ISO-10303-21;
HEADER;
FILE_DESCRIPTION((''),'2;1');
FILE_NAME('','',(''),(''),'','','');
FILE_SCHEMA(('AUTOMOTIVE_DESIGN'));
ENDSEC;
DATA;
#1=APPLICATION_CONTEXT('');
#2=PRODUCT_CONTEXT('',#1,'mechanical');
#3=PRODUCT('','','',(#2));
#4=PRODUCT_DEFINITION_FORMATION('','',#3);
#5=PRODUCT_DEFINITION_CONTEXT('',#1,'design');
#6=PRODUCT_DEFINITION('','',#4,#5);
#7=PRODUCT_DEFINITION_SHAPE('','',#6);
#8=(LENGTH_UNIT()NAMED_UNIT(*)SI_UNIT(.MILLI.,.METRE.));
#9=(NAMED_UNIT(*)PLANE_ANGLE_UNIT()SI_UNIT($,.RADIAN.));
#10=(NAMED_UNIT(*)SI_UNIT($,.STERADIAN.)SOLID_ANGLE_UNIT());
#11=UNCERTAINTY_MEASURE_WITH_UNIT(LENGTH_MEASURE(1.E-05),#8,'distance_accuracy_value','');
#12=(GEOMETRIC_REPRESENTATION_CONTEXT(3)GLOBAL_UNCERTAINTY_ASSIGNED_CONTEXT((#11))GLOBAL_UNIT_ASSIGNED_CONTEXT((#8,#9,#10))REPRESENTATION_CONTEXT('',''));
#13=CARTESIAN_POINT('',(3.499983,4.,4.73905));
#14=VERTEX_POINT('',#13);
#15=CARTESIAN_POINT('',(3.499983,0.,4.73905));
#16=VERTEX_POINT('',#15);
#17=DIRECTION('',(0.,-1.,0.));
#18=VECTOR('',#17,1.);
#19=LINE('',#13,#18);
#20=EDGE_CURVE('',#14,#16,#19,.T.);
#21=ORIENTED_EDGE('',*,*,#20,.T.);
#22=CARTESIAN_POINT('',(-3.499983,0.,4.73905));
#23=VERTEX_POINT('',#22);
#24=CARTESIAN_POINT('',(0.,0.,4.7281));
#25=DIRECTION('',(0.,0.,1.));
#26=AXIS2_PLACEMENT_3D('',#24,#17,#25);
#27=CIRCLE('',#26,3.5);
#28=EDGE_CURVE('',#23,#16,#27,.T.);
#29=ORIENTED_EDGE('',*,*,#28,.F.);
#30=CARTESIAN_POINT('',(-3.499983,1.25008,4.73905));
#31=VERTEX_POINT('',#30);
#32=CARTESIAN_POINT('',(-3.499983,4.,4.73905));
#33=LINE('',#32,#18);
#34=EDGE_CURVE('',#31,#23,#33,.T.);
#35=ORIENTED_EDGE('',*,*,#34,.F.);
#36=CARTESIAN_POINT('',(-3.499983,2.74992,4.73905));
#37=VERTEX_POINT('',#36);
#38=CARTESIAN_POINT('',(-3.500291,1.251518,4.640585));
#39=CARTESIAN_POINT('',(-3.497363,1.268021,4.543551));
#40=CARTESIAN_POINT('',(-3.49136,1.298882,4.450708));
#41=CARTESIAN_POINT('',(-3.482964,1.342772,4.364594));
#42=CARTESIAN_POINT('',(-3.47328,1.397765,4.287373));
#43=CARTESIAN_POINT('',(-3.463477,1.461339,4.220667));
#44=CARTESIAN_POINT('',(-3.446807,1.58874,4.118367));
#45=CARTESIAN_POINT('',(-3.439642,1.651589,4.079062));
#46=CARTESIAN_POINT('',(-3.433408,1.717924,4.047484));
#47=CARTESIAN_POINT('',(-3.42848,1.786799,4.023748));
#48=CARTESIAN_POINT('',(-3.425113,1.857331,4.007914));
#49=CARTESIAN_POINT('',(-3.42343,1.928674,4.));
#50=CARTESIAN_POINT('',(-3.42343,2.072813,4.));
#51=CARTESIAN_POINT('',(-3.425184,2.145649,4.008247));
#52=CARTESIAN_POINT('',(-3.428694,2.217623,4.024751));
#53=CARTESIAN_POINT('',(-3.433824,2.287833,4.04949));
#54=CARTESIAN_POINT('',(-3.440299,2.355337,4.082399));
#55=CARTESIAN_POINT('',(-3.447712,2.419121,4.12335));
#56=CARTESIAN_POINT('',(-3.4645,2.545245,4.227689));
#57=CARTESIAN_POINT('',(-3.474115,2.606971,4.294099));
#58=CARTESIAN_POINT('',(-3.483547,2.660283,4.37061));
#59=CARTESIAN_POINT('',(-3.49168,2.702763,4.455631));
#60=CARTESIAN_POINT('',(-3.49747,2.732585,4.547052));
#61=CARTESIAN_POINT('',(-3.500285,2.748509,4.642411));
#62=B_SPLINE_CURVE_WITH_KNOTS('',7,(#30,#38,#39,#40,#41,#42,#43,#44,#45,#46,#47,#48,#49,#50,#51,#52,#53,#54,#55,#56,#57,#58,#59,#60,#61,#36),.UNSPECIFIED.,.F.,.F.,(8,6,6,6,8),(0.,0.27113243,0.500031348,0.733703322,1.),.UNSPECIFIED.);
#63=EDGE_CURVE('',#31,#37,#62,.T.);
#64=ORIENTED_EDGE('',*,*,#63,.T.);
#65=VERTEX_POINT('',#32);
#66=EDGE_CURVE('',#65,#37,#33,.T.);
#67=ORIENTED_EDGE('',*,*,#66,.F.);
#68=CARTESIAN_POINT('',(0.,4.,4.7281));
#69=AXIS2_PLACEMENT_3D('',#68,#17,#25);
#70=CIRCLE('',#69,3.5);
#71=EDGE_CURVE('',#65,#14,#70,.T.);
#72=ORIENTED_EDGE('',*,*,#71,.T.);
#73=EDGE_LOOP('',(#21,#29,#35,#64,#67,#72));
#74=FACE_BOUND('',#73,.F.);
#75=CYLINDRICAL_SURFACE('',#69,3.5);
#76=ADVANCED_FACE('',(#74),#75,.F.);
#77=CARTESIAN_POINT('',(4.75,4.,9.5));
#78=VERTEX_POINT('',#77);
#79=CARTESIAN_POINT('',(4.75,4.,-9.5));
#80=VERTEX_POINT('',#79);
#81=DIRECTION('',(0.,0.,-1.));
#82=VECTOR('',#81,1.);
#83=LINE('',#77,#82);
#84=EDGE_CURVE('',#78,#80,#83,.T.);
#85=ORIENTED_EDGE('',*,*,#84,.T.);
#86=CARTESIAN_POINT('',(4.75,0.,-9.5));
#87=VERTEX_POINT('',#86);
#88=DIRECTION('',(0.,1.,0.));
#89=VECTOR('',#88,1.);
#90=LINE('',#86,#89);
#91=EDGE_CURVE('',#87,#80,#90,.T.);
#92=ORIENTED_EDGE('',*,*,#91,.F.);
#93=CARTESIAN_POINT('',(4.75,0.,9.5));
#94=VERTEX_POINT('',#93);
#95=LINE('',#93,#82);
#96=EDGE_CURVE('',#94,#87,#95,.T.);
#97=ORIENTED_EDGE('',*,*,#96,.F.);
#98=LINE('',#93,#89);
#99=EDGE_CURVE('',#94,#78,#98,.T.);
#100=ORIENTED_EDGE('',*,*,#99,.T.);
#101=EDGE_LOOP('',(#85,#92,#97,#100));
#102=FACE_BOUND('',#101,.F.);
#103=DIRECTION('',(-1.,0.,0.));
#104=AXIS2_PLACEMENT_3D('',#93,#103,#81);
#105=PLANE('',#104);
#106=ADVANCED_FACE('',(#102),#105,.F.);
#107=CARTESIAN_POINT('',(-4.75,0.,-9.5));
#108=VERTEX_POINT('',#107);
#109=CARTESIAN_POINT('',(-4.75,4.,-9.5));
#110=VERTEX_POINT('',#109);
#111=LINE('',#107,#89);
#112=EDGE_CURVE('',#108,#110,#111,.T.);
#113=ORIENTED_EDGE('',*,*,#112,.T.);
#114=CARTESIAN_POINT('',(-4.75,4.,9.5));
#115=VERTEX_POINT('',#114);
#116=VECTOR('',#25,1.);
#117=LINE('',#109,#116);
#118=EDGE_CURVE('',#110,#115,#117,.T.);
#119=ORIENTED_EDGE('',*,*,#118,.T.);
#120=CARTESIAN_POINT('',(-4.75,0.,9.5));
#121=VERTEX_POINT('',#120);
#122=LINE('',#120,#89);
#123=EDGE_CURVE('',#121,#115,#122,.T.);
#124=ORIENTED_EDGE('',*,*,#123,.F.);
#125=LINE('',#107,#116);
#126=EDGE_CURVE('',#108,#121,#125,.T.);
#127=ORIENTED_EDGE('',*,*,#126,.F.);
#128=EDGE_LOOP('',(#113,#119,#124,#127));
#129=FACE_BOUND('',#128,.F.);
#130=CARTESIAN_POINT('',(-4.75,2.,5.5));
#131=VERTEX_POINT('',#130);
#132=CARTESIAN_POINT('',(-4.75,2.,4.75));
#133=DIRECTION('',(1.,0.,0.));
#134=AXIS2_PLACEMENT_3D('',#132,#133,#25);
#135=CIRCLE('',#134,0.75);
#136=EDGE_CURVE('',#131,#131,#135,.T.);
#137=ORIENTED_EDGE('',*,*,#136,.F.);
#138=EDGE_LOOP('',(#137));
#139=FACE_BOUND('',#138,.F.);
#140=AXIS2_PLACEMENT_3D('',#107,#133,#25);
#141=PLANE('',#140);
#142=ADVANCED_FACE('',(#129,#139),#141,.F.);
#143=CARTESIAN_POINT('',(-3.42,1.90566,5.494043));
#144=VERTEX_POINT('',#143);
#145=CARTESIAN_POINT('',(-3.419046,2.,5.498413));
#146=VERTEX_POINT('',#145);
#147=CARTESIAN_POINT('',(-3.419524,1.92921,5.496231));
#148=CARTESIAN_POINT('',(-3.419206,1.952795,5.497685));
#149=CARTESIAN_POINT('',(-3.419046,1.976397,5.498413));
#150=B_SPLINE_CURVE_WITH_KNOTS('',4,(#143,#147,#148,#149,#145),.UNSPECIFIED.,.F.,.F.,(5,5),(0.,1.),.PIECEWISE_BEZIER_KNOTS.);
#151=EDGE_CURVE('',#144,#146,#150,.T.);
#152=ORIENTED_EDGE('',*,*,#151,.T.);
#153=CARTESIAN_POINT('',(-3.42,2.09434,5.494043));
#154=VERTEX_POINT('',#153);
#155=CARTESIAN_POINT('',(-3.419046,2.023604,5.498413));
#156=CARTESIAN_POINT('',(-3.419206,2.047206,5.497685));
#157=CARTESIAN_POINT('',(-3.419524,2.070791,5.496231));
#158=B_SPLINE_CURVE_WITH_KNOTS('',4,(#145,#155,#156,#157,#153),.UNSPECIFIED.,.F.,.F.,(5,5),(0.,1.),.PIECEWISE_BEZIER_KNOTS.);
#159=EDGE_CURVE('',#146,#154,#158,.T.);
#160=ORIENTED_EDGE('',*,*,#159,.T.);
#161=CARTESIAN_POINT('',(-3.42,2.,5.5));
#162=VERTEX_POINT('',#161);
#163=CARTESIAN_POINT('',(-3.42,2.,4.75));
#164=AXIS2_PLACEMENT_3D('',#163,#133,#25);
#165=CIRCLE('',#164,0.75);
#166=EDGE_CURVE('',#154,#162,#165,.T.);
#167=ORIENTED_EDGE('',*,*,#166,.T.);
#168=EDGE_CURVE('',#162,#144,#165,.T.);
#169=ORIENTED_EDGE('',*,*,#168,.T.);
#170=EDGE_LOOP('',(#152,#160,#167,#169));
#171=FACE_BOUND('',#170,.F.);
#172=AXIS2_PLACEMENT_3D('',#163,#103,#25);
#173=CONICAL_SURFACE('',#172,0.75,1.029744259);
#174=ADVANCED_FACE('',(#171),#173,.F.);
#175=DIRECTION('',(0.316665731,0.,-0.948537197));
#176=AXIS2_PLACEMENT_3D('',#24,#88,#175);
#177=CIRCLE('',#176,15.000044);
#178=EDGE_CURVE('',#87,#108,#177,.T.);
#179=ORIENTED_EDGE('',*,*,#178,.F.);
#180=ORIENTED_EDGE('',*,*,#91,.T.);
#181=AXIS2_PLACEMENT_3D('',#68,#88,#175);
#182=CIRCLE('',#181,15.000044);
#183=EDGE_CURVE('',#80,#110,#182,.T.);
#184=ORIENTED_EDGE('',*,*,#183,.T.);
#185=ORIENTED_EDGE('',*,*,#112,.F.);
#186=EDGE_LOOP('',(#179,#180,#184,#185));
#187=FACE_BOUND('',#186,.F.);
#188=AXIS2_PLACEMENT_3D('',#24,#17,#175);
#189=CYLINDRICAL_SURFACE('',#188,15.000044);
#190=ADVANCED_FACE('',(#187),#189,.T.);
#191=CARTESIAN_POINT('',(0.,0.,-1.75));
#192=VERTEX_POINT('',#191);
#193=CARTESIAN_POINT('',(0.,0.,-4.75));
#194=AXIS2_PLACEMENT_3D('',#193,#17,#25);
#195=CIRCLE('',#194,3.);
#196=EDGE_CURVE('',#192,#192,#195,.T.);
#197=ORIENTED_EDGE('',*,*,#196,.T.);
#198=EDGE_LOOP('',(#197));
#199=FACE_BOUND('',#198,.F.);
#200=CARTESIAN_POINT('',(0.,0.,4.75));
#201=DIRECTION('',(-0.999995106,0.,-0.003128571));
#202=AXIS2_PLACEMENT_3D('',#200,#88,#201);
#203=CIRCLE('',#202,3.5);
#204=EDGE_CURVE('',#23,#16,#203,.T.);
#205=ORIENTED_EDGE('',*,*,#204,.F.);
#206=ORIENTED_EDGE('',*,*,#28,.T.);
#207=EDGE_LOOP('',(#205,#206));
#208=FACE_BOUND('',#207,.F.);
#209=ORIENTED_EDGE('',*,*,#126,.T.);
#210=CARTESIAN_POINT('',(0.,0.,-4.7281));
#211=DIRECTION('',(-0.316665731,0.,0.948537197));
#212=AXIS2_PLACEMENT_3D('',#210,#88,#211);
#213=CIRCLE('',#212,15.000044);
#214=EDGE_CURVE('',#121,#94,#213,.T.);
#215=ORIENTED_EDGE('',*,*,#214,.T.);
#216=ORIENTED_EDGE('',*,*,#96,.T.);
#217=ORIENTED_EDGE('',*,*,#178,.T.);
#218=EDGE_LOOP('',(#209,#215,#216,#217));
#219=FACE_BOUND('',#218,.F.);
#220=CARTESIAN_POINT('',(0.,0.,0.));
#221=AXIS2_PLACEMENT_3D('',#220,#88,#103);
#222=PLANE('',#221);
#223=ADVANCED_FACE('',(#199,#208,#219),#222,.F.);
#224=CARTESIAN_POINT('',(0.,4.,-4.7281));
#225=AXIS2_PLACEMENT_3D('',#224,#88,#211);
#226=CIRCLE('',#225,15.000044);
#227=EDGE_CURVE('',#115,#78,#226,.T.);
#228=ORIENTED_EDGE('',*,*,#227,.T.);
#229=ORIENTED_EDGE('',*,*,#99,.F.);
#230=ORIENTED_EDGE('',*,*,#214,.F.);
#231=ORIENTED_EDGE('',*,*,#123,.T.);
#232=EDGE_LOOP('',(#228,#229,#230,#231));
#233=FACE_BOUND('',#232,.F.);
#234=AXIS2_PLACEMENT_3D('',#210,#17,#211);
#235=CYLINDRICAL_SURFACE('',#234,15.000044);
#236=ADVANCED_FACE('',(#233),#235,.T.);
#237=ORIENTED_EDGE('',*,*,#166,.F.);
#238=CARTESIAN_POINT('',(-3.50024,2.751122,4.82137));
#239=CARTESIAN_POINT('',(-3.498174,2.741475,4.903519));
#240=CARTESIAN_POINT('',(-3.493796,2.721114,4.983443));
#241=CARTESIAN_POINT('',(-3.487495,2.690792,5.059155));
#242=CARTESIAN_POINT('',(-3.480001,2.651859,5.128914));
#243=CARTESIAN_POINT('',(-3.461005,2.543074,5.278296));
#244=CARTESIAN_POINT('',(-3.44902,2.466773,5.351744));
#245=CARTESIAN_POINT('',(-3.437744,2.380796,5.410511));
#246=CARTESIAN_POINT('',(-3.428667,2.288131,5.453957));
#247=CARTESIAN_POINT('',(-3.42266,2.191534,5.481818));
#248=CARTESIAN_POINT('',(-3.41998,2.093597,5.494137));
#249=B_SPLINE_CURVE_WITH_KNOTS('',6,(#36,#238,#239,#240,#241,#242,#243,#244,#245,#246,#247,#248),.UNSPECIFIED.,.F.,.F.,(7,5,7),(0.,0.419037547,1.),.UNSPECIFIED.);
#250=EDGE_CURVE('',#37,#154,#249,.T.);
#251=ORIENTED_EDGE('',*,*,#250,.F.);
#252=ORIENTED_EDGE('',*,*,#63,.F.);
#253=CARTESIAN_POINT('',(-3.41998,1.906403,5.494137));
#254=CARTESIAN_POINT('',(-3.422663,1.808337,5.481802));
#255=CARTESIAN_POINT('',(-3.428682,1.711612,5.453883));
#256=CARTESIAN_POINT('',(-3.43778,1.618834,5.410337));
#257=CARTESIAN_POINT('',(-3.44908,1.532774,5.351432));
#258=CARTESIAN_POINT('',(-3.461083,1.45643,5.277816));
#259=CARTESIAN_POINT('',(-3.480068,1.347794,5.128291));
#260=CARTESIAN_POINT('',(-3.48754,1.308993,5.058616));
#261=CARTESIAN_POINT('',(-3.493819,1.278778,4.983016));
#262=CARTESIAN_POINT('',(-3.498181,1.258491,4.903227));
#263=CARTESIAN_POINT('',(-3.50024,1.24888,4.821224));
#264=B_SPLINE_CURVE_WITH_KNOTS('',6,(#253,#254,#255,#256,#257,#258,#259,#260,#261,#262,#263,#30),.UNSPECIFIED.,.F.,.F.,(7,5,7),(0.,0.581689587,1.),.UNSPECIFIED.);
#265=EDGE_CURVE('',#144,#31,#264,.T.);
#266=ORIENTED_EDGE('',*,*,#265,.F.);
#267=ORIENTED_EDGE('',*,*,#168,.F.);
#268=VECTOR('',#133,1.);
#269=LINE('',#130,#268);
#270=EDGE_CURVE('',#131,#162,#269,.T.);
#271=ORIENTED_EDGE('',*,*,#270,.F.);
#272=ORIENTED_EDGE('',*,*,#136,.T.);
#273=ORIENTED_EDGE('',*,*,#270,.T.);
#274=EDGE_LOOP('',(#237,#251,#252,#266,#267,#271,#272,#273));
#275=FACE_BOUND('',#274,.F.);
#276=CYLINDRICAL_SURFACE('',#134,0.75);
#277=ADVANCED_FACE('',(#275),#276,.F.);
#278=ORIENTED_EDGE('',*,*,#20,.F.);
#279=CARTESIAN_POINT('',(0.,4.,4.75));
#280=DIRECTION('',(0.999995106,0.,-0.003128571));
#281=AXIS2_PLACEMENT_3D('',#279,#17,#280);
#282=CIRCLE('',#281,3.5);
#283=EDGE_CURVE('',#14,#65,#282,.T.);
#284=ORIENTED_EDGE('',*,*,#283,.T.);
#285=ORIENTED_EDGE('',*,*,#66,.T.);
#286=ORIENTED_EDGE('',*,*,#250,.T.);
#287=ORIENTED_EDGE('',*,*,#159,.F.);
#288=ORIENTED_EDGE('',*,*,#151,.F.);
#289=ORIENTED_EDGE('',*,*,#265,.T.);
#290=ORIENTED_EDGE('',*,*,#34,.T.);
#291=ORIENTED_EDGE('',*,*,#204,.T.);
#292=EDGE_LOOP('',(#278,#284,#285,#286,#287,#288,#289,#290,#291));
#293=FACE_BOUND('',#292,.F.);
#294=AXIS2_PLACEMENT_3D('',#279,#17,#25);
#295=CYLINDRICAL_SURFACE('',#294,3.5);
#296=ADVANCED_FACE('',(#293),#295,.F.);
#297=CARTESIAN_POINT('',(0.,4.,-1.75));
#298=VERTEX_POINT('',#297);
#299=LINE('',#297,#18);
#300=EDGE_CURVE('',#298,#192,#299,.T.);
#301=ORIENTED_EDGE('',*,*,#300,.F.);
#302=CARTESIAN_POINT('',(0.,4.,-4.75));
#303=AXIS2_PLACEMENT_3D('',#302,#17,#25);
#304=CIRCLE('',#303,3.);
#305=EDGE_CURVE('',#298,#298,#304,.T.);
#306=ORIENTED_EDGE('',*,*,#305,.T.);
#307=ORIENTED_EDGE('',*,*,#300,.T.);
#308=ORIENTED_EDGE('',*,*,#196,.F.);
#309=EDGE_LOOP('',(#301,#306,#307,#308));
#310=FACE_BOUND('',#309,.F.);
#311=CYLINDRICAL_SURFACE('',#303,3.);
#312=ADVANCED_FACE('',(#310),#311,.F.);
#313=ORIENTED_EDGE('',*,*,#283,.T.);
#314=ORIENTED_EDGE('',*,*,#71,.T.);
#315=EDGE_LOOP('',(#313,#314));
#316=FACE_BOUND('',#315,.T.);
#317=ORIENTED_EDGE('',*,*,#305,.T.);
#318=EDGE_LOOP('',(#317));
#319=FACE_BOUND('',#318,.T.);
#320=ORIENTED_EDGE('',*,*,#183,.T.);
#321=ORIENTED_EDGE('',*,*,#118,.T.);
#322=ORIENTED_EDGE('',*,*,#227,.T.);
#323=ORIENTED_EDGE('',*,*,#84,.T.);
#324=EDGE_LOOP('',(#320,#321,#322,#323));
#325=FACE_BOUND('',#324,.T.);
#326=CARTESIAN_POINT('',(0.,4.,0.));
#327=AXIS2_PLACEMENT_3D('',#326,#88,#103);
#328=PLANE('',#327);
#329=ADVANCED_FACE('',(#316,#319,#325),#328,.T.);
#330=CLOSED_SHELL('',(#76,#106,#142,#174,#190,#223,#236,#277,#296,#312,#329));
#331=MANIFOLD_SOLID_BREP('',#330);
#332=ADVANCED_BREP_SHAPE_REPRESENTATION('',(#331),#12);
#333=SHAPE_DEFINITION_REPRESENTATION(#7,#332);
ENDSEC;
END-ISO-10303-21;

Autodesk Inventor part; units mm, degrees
ref_plane "YZ Plane" through (0, 0, 0) normal (1, 0, 0) x (0, 1, 0)
ref_plane "XZ Plane" through (0, 0, 0) normal (0, 1, 0) x (-1, 0, 0)
ref_plane "XY Plane" through (0, 0, 0) normal (0, 0, 1) x (1, 0, 0)
sketch "Sketch1" plane through (0, 0, 0) normal (0, 1, 0) x (-1, 0, 0)
  line L0 (4.75, 9.5) -> (-4.75, 9.5)
  line L1 (-4.75, 9.5) -> (-4.75, -9.5)
  line L2 (-4.75, -9.5) -> (4.75, -9.5)
  line L3 (4.75, -9.5) -> (4.75, 9.5)
  line L4 (4.75, 9.5) -> (-4.75, -9.5) construction
  line L5 (-4.75, 9.5) -> (4.75, -9.5) construction
  arc A0 (-4.75, -9.5) -> (4.75, -9.5) centre (0, 4.7281) ccw
  arc A1 (4.75, 9.5) -> (-4.75, 9.5) centre (0, -4.7281) ccw
  point P0 (0, 0)
  dimension "d0" = 9.5
  dimension "d1" = 19
  dimension "d2" = 15
  dimension "d3" = 15
extrude "Extrusion1" add sketch "Sketch1" along normal blind 4
sketch "Sketch2" plane through (0, 4, 0) normal (0, 1, 0) x (1, 0, 0)
  arc A0 (4.75, 9.5) -> (-4.75, 9.5) centre (0, -4.7281) ccw projected
  point P0 (0, 0)
  point P1 (0, 4.75)
  point P2 (0, -4.75)
  dimension "d6" = 4.75
  dimension "d7" = 9.5
hole "Hole1" at (0, 4, -4.75) direction (0, -1, 0) diameter 6 end through all
hole "Hole2" at (0, 4, 4.75) at (0, 4, 4.7281) direction (0, -1, 0) diameter 7 end through all
sketch "Sketch3" plane through (-4.75, 0, -9.5) normal (-1, 0, 0) x (0, 0, 1)
  line L0 (19, 0) -> (19, 4) projected
  line L1 (0, 4) -> (19, 4) projected
  point P0 (9.5, 0)
  point P1 (14.25, 2)
  dimension "d22" = 4.75
  dimension "d23" = 2
hole "Hole3" at (-4.75, 2, 4.75) direction (1, 0, 0) diameter 1.5 depth 1.33 tip angle 118
properties material "Steel, Mild"
